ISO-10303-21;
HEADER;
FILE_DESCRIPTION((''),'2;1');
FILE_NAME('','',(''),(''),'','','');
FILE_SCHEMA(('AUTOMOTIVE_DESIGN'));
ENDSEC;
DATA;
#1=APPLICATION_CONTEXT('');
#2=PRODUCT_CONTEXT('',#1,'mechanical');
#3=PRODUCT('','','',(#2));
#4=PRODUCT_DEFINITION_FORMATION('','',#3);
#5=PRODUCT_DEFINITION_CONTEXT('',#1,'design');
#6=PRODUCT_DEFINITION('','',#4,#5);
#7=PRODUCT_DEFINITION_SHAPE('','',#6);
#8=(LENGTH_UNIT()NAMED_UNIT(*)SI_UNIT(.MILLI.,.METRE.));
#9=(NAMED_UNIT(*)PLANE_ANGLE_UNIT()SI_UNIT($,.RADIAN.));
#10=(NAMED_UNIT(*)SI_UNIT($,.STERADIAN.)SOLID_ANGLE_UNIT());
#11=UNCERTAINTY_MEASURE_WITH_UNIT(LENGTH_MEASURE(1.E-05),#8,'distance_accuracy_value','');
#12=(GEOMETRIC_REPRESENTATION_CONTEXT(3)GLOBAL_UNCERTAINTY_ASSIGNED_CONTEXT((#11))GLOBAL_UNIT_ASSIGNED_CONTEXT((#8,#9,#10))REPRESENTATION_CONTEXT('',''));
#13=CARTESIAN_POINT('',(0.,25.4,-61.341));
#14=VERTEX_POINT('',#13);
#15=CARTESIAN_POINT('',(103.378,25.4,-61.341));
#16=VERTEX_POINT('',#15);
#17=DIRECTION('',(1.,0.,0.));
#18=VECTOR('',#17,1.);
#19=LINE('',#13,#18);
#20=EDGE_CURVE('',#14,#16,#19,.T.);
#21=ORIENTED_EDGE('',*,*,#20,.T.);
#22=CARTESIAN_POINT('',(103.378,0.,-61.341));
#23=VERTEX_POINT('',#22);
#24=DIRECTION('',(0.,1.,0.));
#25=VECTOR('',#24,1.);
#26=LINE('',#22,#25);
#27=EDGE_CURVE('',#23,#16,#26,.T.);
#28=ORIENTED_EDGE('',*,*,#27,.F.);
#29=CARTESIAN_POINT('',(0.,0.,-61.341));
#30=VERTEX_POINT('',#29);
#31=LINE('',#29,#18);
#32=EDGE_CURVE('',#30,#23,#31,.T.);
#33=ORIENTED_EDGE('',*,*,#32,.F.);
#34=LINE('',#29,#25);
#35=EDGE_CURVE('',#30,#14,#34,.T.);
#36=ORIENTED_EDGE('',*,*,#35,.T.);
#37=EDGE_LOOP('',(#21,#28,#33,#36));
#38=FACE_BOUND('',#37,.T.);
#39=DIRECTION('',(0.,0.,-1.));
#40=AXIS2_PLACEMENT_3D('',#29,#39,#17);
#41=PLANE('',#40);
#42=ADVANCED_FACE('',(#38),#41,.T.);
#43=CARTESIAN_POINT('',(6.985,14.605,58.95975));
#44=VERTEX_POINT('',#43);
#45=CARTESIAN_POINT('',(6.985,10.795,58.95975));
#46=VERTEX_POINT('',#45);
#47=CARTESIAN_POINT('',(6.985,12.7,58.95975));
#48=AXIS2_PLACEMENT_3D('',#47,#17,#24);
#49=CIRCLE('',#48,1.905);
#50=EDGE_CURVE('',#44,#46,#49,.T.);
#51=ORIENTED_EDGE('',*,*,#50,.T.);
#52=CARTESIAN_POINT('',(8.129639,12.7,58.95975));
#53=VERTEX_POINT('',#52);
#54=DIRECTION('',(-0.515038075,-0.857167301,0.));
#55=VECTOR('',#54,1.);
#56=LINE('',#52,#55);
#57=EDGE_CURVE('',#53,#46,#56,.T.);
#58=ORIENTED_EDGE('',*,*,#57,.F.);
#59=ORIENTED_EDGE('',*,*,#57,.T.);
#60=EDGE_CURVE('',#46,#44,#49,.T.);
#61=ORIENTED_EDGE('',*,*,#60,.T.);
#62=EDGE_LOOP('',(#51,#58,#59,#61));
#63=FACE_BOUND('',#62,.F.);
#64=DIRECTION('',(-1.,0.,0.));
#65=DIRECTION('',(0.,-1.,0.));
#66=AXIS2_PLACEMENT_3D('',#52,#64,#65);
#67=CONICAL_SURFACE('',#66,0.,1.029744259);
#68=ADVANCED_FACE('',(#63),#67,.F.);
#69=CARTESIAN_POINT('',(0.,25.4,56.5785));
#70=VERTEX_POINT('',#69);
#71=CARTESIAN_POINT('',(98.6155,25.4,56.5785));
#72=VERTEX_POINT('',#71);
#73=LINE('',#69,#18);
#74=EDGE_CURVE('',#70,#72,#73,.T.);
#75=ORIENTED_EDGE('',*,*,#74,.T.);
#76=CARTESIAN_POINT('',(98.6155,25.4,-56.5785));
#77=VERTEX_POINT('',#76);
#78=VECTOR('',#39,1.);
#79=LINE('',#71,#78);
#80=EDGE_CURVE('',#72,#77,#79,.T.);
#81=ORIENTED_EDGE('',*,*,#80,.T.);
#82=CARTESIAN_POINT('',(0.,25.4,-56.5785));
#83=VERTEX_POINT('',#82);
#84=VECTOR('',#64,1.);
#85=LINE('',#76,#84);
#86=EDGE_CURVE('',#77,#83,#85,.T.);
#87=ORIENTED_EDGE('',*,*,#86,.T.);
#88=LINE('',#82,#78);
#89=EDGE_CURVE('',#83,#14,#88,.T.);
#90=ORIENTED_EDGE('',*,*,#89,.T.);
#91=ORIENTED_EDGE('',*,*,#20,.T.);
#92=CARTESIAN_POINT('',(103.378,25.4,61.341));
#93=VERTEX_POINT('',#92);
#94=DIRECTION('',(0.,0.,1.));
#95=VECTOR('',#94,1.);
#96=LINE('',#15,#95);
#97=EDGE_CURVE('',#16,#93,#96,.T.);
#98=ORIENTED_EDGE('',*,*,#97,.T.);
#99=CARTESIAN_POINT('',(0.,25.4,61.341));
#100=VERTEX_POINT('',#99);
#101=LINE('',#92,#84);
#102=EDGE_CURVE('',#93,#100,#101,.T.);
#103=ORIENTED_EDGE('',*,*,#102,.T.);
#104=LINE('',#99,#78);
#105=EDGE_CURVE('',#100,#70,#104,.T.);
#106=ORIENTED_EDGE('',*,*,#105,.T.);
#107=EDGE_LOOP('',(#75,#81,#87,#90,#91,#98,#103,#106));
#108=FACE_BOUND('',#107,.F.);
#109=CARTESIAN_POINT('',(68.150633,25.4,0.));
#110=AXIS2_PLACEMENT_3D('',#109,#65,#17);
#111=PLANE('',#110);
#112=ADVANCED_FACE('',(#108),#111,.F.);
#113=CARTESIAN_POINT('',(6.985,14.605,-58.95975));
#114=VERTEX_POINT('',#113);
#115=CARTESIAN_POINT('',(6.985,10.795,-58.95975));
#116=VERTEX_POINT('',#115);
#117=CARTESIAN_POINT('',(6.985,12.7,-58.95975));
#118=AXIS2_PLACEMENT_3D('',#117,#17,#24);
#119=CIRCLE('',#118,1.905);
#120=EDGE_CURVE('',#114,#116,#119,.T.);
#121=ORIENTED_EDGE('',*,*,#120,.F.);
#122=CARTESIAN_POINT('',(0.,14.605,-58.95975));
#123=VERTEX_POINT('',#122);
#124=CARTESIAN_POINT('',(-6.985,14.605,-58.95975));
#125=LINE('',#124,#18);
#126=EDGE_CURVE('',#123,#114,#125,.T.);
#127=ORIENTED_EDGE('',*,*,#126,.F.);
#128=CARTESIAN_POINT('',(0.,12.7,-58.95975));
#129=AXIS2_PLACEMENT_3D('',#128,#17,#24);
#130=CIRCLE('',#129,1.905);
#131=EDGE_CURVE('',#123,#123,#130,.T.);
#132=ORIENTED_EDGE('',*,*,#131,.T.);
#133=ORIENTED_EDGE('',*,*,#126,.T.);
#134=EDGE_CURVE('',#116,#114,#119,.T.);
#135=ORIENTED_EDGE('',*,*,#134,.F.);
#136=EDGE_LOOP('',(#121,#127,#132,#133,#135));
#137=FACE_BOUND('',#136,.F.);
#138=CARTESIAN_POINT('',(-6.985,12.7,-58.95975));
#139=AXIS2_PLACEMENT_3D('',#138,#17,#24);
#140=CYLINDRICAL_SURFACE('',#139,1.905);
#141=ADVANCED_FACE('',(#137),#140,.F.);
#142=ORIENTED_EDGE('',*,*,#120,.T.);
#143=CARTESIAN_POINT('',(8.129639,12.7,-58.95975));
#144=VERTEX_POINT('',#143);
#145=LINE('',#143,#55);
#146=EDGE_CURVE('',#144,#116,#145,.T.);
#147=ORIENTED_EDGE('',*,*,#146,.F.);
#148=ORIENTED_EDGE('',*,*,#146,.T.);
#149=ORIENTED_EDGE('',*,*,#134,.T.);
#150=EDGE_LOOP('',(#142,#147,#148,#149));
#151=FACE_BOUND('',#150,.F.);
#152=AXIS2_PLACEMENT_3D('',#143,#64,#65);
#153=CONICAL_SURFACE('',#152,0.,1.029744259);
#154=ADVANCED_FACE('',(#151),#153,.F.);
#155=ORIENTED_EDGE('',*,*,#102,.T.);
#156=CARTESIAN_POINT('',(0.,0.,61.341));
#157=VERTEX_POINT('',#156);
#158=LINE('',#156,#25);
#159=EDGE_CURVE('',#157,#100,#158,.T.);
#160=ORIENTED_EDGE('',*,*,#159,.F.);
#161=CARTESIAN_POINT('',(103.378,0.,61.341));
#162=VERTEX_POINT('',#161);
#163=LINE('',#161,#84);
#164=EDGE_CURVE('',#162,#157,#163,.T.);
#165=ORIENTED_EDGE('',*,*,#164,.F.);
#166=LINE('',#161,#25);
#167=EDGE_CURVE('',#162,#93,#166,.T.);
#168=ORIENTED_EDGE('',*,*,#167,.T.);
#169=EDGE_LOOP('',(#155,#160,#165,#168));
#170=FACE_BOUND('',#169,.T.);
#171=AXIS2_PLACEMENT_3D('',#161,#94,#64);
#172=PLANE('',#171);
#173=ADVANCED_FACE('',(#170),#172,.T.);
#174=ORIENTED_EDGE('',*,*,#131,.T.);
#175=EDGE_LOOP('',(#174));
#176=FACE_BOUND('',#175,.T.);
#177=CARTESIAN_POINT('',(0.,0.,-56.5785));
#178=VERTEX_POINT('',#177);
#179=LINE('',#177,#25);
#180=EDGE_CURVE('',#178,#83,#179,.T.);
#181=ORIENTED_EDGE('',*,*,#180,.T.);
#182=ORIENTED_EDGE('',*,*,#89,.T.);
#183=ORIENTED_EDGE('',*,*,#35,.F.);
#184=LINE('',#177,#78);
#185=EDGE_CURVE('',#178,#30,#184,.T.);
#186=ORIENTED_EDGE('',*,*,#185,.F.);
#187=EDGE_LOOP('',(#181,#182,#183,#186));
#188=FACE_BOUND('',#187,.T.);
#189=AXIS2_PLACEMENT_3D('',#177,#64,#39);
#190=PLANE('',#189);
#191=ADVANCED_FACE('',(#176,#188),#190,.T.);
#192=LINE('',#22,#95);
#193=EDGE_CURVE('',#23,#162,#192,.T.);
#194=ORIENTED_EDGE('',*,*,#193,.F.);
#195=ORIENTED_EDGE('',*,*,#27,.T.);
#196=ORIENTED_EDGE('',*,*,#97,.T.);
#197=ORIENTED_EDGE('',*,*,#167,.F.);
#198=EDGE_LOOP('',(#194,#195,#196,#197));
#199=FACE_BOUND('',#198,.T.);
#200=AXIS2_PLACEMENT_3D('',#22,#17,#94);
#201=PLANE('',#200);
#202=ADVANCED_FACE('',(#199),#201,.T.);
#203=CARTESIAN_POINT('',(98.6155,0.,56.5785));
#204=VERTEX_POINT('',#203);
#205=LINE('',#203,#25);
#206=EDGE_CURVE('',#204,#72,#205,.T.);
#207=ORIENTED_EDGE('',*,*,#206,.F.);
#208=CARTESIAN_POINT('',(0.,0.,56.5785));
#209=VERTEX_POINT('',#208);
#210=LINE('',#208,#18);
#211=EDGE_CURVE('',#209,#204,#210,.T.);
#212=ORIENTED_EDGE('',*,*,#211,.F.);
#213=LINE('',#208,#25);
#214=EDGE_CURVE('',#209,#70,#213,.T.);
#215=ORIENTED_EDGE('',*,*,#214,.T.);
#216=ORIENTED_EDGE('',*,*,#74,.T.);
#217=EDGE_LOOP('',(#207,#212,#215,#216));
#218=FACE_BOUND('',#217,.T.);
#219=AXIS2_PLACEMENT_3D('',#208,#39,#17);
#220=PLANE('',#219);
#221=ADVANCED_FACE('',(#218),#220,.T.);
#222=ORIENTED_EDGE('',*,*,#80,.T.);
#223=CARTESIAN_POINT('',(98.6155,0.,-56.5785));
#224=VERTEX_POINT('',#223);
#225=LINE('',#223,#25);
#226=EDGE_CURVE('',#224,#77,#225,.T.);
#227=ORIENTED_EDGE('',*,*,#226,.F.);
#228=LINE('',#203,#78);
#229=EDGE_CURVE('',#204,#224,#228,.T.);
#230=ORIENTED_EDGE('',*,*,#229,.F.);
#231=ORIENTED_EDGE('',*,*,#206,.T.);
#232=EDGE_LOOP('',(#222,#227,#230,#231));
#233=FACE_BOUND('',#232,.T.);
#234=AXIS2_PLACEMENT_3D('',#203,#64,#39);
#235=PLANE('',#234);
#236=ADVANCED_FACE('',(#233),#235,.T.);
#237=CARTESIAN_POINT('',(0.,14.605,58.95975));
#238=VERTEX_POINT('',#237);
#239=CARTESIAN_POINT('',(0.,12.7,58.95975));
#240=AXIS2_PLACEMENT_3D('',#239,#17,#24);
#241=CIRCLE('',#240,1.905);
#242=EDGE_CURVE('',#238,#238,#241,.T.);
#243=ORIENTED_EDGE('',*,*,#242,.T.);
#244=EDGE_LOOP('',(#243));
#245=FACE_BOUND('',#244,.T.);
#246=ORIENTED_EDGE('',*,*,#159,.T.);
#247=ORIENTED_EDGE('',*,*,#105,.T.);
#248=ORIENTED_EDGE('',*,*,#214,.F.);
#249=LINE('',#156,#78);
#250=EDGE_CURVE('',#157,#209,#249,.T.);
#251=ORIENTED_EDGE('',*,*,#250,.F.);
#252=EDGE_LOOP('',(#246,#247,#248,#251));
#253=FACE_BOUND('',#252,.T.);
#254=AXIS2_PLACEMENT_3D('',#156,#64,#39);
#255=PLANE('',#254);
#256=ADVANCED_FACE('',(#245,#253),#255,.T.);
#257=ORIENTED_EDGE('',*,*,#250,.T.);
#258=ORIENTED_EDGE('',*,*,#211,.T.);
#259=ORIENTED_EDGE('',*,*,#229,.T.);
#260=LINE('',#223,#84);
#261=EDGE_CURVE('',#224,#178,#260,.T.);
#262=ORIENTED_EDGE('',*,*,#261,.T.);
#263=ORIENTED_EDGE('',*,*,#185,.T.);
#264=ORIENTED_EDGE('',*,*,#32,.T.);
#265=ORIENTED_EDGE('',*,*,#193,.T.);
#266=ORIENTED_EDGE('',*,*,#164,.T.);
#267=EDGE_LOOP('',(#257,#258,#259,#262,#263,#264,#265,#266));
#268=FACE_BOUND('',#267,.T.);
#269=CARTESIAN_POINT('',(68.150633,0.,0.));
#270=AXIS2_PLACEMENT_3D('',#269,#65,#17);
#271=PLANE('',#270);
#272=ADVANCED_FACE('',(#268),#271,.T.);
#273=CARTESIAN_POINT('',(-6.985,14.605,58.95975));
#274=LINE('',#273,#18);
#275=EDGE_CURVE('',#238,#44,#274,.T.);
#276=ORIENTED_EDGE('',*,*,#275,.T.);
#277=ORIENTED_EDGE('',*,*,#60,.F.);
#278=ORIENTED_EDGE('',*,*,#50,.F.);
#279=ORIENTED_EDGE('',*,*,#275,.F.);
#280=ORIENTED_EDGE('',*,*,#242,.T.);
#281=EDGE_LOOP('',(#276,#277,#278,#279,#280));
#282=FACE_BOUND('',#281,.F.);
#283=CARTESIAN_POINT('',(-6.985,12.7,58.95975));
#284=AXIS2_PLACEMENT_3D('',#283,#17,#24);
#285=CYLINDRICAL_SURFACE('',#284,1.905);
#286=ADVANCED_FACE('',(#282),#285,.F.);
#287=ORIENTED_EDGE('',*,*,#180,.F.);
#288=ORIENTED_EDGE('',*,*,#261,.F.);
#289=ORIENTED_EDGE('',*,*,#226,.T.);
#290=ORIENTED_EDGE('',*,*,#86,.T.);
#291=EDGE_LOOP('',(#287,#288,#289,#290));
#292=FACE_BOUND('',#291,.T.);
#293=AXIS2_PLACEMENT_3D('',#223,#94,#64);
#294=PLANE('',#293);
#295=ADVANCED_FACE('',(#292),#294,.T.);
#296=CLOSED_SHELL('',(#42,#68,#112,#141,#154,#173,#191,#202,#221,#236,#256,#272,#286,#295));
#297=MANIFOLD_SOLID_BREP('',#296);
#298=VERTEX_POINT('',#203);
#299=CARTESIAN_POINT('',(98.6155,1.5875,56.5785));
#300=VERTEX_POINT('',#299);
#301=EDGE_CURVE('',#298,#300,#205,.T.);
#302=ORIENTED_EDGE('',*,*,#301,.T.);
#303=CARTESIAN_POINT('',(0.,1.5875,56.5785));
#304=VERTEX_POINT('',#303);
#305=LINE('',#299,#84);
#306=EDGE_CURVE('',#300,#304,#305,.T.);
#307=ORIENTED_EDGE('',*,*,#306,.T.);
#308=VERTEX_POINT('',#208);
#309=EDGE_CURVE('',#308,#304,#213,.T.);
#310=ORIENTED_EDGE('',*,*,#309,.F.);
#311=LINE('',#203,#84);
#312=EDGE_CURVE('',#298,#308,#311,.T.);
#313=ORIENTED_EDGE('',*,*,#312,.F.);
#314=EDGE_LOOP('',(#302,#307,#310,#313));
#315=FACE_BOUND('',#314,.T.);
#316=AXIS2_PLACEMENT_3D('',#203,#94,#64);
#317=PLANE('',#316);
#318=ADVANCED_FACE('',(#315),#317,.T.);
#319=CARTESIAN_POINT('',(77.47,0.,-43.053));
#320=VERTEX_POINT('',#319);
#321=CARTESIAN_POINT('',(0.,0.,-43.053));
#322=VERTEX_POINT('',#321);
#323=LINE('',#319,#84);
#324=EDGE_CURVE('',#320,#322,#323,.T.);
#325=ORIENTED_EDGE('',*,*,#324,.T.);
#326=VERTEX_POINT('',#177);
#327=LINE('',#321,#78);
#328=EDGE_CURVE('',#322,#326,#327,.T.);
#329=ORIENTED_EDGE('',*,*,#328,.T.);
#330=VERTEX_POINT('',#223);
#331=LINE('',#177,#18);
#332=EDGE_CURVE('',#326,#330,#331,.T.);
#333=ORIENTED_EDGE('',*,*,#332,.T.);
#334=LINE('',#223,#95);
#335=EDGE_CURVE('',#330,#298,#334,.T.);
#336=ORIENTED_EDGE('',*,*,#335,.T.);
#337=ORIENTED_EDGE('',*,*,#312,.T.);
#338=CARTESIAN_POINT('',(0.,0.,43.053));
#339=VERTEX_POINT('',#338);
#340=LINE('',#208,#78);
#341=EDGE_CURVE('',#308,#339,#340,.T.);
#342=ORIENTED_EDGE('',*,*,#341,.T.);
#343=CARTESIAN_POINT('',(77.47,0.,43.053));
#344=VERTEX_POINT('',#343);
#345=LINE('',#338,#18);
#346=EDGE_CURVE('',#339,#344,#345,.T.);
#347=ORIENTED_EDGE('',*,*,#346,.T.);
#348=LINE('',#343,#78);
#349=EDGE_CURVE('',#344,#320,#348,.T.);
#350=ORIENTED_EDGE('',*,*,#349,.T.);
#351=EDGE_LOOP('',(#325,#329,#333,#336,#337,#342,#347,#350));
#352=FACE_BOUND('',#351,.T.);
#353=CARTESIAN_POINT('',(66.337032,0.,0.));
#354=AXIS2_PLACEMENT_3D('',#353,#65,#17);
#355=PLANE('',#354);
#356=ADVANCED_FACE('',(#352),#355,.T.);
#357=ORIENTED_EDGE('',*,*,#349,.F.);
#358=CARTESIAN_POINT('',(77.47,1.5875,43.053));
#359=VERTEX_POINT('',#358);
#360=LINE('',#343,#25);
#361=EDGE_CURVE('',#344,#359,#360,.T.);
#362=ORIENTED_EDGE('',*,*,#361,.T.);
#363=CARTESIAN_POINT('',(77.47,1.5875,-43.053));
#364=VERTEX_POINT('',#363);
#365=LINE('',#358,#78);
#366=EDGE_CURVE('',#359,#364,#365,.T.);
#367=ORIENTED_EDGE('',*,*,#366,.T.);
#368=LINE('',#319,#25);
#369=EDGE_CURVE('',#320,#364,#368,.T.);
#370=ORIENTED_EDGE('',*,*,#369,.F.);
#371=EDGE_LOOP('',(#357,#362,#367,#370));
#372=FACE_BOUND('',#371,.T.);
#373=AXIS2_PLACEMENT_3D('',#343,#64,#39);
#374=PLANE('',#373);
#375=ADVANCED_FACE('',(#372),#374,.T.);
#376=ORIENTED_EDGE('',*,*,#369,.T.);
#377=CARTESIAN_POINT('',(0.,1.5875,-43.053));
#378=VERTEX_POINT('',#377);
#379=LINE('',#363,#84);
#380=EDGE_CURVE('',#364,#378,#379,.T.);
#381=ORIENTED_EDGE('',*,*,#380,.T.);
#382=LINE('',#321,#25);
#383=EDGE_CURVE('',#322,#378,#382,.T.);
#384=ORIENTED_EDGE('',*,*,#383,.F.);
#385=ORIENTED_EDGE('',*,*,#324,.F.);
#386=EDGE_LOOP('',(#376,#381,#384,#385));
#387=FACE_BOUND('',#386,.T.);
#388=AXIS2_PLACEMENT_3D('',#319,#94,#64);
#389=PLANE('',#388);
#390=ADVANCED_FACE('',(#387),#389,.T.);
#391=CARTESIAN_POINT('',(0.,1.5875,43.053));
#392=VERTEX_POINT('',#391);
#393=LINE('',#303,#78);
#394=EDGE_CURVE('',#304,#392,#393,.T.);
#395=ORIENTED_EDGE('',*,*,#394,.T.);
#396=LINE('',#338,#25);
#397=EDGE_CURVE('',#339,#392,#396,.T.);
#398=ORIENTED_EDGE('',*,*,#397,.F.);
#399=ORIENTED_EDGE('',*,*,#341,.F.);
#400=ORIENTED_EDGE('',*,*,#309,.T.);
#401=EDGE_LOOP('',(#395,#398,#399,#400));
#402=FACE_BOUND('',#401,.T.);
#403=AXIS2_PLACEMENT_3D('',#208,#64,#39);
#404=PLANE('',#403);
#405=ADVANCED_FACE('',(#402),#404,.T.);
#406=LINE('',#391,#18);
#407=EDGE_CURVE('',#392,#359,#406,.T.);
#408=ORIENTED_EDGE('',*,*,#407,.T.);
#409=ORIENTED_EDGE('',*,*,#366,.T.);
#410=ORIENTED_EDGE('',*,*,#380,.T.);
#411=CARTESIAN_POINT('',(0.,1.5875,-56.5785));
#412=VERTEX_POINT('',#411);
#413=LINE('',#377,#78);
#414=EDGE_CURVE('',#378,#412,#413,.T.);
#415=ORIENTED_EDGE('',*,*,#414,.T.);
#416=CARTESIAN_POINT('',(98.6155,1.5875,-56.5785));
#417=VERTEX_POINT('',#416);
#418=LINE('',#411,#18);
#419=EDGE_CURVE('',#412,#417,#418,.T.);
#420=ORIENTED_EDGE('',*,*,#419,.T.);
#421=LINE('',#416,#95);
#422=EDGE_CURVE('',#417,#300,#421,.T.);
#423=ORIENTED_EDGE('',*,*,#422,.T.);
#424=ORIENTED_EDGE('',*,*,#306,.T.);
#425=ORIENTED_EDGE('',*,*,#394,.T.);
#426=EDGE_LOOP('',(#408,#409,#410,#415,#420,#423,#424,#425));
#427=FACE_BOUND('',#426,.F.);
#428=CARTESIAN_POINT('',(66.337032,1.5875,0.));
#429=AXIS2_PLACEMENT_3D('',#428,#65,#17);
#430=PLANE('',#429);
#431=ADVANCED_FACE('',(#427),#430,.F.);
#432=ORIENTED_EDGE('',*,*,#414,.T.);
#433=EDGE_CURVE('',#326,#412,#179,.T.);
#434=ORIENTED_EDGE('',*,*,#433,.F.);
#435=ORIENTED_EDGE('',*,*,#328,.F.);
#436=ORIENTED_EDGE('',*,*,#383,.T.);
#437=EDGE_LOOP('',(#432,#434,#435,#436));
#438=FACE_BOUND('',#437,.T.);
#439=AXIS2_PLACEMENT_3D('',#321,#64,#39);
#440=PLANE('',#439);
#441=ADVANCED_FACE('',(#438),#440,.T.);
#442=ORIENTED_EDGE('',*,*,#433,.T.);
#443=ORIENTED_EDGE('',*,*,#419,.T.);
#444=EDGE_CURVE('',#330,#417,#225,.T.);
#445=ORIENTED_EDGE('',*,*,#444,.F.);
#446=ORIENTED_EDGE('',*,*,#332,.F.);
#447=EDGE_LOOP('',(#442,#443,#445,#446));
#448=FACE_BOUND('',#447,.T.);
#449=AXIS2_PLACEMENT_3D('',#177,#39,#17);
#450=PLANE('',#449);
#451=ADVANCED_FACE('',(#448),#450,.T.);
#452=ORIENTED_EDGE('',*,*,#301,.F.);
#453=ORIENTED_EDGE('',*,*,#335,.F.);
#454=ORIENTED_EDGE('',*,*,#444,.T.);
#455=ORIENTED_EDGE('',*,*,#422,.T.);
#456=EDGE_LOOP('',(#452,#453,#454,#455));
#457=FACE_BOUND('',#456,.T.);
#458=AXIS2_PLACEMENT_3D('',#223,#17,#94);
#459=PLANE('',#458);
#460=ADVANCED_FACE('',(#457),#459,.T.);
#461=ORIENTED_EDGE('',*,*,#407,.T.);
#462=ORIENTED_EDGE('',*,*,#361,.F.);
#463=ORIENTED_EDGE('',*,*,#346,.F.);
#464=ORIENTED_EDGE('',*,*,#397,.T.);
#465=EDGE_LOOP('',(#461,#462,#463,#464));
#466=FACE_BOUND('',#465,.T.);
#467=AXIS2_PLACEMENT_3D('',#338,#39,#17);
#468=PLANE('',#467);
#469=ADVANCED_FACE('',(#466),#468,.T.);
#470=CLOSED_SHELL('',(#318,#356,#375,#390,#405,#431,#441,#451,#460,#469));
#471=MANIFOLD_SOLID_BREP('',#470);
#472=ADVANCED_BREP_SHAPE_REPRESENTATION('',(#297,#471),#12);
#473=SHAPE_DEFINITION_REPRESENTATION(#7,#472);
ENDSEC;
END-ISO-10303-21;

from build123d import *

# Parameters (mm, degrees)
F1_DEPTH = 1.5875
F2_DEPTH = 25.4
F4_D     = 3.81
F4_DEPTH = 6.985
F4_TIP   = 1.1446394792
F6_D     = 3.81
F6_DEPTH = 6.985
F6_TIP   = 1.1446394792


with BuildPart() as f1:
    # F0 (on Front) → F1 (new body)
    with BuildSketch(Plane.XZ):
        Polygon((0, 56.5785), (0, 54.991), (97.028, 54.991), (97.028, -54.991), (0, -54.991), (0, -56.5785), (98.6155, -56.5785), (98.6155, 56.5785), align=None)
        Polygon((0, 43.053), (77.47, 43.053), (77.47, -43.053), (0, -43.053), (0, -54.991), (97.028, -54.991), (97.028, 54.991), (0, 54.991), align=None)
    extrude(amount=-F1_DEPTH)


with BuildPart() as f2:
    # F0 (on Front) → F2 (new body)
    with BuildSketch(Plane.XZ):
        Polygon((0, 61.341), (0, 56.5785), (98.6155, 56.5785), (98.6155, -56.5785), (0, -56.5785), (0, -61.341), (103.378, -61.341), (103.378, 61.341), align=None)
    extrude(amount=-F2_DEPTH)

    # F4
    with Locations(Plane(origin=(0, 0, 0), x_dir=(0, -1, 0), z_dir=(-1, 0, 0))):
        with Locations((-12.7, 58.95975)):
            Hole(F4_D / 2, depth=F4_DEPTH)
            with Locations((0, 0, -(F4_DEPTH + F4_TIP / 2))):  # 118° drill point
                Cone(0, F4_D / 2, F4_TIP, mode=Mode.SUBTRACT)

    # F6
    with Locations(Plane(origin=(0, 0, 0), x_dir=(0, -1, 0), z_dir=(-1, 0, 0))):
        with Locations((-12.7, -58.95975)):
            Hole(F6_D / 2, depth=F6_DEPTH)
            with Locations((0, 0, -(F6_DEPTH + F6_TIP / 2))):  # 118° drill point
                Cone(0, F6_D / 2, F6_TIP, mode=Mode.SUBTRACT)


solid = Compound([f1.part, f2.part])
